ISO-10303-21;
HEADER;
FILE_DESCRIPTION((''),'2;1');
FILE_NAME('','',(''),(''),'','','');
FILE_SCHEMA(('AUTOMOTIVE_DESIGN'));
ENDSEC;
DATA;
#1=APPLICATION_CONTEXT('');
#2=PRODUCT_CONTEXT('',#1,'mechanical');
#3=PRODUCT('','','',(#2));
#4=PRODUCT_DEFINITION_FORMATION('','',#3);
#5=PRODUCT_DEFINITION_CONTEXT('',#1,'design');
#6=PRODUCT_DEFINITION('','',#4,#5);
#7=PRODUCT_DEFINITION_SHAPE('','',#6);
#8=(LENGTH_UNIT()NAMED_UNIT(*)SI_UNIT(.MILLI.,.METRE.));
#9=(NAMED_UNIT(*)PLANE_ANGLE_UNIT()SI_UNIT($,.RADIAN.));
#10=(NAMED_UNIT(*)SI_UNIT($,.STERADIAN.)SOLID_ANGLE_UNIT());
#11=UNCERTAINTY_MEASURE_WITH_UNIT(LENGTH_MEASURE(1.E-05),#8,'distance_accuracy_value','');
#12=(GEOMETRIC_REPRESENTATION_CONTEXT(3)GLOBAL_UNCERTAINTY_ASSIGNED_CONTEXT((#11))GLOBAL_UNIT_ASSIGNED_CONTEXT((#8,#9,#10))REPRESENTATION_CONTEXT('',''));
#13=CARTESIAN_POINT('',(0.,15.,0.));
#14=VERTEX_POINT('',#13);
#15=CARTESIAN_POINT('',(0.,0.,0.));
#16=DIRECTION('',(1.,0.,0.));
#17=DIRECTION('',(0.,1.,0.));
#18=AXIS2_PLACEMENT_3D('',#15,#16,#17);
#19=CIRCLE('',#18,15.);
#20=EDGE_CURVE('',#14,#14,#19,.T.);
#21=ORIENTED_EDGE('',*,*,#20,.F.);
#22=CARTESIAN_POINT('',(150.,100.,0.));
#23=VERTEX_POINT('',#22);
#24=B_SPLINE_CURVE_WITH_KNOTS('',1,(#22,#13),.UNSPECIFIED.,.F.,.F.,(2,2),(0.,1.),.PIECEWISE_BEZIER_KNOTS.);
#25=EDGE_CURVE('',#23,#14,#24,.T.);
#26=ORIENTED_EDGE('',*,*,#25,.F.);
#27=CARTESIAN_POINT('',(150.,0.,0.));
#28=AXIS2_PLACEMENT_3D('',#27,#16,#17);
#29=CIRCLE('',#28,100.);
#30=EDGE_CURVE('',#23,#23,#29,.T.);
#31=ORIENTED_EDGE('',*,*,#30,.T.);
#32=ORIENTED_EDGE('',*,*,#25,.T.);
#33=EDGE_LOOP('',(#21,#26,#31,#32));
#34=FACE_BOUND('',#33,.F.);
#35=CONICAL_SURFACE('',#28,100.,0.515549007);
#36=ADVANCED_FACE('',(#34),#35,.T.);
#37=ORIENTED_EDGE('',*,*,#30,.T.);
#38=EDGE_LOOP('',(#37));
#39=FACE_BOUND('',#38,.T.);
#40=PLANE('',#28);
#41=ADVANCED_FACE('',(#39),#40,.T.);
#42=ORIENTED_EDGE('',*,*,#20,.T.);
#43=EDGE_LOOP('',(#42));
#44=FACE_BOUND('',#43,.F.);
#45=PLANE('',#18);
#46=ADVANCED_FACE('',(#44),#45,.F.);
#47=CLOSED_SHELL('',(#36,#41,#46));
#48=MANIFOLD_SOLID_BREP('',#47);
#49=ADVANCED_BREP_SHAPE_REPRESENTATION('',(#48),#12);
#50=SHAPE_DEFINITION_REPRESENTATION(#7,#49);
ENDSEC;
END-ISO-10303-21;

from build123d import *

# Parameters (mm, degrees)
F2_R = 100
F0_R = 15


with BuildPart() as f3:
    # F2 (on offset) → F3 section 0
    with BuildSketch(Plane.YZ.offset(150)):
        Circle(F2_R)
    # F0 (on Right) → F3 section 1
    with BuildSketch(Plane.YZ):
        Circle(F0_R)
    loft()


solid = f3.part
